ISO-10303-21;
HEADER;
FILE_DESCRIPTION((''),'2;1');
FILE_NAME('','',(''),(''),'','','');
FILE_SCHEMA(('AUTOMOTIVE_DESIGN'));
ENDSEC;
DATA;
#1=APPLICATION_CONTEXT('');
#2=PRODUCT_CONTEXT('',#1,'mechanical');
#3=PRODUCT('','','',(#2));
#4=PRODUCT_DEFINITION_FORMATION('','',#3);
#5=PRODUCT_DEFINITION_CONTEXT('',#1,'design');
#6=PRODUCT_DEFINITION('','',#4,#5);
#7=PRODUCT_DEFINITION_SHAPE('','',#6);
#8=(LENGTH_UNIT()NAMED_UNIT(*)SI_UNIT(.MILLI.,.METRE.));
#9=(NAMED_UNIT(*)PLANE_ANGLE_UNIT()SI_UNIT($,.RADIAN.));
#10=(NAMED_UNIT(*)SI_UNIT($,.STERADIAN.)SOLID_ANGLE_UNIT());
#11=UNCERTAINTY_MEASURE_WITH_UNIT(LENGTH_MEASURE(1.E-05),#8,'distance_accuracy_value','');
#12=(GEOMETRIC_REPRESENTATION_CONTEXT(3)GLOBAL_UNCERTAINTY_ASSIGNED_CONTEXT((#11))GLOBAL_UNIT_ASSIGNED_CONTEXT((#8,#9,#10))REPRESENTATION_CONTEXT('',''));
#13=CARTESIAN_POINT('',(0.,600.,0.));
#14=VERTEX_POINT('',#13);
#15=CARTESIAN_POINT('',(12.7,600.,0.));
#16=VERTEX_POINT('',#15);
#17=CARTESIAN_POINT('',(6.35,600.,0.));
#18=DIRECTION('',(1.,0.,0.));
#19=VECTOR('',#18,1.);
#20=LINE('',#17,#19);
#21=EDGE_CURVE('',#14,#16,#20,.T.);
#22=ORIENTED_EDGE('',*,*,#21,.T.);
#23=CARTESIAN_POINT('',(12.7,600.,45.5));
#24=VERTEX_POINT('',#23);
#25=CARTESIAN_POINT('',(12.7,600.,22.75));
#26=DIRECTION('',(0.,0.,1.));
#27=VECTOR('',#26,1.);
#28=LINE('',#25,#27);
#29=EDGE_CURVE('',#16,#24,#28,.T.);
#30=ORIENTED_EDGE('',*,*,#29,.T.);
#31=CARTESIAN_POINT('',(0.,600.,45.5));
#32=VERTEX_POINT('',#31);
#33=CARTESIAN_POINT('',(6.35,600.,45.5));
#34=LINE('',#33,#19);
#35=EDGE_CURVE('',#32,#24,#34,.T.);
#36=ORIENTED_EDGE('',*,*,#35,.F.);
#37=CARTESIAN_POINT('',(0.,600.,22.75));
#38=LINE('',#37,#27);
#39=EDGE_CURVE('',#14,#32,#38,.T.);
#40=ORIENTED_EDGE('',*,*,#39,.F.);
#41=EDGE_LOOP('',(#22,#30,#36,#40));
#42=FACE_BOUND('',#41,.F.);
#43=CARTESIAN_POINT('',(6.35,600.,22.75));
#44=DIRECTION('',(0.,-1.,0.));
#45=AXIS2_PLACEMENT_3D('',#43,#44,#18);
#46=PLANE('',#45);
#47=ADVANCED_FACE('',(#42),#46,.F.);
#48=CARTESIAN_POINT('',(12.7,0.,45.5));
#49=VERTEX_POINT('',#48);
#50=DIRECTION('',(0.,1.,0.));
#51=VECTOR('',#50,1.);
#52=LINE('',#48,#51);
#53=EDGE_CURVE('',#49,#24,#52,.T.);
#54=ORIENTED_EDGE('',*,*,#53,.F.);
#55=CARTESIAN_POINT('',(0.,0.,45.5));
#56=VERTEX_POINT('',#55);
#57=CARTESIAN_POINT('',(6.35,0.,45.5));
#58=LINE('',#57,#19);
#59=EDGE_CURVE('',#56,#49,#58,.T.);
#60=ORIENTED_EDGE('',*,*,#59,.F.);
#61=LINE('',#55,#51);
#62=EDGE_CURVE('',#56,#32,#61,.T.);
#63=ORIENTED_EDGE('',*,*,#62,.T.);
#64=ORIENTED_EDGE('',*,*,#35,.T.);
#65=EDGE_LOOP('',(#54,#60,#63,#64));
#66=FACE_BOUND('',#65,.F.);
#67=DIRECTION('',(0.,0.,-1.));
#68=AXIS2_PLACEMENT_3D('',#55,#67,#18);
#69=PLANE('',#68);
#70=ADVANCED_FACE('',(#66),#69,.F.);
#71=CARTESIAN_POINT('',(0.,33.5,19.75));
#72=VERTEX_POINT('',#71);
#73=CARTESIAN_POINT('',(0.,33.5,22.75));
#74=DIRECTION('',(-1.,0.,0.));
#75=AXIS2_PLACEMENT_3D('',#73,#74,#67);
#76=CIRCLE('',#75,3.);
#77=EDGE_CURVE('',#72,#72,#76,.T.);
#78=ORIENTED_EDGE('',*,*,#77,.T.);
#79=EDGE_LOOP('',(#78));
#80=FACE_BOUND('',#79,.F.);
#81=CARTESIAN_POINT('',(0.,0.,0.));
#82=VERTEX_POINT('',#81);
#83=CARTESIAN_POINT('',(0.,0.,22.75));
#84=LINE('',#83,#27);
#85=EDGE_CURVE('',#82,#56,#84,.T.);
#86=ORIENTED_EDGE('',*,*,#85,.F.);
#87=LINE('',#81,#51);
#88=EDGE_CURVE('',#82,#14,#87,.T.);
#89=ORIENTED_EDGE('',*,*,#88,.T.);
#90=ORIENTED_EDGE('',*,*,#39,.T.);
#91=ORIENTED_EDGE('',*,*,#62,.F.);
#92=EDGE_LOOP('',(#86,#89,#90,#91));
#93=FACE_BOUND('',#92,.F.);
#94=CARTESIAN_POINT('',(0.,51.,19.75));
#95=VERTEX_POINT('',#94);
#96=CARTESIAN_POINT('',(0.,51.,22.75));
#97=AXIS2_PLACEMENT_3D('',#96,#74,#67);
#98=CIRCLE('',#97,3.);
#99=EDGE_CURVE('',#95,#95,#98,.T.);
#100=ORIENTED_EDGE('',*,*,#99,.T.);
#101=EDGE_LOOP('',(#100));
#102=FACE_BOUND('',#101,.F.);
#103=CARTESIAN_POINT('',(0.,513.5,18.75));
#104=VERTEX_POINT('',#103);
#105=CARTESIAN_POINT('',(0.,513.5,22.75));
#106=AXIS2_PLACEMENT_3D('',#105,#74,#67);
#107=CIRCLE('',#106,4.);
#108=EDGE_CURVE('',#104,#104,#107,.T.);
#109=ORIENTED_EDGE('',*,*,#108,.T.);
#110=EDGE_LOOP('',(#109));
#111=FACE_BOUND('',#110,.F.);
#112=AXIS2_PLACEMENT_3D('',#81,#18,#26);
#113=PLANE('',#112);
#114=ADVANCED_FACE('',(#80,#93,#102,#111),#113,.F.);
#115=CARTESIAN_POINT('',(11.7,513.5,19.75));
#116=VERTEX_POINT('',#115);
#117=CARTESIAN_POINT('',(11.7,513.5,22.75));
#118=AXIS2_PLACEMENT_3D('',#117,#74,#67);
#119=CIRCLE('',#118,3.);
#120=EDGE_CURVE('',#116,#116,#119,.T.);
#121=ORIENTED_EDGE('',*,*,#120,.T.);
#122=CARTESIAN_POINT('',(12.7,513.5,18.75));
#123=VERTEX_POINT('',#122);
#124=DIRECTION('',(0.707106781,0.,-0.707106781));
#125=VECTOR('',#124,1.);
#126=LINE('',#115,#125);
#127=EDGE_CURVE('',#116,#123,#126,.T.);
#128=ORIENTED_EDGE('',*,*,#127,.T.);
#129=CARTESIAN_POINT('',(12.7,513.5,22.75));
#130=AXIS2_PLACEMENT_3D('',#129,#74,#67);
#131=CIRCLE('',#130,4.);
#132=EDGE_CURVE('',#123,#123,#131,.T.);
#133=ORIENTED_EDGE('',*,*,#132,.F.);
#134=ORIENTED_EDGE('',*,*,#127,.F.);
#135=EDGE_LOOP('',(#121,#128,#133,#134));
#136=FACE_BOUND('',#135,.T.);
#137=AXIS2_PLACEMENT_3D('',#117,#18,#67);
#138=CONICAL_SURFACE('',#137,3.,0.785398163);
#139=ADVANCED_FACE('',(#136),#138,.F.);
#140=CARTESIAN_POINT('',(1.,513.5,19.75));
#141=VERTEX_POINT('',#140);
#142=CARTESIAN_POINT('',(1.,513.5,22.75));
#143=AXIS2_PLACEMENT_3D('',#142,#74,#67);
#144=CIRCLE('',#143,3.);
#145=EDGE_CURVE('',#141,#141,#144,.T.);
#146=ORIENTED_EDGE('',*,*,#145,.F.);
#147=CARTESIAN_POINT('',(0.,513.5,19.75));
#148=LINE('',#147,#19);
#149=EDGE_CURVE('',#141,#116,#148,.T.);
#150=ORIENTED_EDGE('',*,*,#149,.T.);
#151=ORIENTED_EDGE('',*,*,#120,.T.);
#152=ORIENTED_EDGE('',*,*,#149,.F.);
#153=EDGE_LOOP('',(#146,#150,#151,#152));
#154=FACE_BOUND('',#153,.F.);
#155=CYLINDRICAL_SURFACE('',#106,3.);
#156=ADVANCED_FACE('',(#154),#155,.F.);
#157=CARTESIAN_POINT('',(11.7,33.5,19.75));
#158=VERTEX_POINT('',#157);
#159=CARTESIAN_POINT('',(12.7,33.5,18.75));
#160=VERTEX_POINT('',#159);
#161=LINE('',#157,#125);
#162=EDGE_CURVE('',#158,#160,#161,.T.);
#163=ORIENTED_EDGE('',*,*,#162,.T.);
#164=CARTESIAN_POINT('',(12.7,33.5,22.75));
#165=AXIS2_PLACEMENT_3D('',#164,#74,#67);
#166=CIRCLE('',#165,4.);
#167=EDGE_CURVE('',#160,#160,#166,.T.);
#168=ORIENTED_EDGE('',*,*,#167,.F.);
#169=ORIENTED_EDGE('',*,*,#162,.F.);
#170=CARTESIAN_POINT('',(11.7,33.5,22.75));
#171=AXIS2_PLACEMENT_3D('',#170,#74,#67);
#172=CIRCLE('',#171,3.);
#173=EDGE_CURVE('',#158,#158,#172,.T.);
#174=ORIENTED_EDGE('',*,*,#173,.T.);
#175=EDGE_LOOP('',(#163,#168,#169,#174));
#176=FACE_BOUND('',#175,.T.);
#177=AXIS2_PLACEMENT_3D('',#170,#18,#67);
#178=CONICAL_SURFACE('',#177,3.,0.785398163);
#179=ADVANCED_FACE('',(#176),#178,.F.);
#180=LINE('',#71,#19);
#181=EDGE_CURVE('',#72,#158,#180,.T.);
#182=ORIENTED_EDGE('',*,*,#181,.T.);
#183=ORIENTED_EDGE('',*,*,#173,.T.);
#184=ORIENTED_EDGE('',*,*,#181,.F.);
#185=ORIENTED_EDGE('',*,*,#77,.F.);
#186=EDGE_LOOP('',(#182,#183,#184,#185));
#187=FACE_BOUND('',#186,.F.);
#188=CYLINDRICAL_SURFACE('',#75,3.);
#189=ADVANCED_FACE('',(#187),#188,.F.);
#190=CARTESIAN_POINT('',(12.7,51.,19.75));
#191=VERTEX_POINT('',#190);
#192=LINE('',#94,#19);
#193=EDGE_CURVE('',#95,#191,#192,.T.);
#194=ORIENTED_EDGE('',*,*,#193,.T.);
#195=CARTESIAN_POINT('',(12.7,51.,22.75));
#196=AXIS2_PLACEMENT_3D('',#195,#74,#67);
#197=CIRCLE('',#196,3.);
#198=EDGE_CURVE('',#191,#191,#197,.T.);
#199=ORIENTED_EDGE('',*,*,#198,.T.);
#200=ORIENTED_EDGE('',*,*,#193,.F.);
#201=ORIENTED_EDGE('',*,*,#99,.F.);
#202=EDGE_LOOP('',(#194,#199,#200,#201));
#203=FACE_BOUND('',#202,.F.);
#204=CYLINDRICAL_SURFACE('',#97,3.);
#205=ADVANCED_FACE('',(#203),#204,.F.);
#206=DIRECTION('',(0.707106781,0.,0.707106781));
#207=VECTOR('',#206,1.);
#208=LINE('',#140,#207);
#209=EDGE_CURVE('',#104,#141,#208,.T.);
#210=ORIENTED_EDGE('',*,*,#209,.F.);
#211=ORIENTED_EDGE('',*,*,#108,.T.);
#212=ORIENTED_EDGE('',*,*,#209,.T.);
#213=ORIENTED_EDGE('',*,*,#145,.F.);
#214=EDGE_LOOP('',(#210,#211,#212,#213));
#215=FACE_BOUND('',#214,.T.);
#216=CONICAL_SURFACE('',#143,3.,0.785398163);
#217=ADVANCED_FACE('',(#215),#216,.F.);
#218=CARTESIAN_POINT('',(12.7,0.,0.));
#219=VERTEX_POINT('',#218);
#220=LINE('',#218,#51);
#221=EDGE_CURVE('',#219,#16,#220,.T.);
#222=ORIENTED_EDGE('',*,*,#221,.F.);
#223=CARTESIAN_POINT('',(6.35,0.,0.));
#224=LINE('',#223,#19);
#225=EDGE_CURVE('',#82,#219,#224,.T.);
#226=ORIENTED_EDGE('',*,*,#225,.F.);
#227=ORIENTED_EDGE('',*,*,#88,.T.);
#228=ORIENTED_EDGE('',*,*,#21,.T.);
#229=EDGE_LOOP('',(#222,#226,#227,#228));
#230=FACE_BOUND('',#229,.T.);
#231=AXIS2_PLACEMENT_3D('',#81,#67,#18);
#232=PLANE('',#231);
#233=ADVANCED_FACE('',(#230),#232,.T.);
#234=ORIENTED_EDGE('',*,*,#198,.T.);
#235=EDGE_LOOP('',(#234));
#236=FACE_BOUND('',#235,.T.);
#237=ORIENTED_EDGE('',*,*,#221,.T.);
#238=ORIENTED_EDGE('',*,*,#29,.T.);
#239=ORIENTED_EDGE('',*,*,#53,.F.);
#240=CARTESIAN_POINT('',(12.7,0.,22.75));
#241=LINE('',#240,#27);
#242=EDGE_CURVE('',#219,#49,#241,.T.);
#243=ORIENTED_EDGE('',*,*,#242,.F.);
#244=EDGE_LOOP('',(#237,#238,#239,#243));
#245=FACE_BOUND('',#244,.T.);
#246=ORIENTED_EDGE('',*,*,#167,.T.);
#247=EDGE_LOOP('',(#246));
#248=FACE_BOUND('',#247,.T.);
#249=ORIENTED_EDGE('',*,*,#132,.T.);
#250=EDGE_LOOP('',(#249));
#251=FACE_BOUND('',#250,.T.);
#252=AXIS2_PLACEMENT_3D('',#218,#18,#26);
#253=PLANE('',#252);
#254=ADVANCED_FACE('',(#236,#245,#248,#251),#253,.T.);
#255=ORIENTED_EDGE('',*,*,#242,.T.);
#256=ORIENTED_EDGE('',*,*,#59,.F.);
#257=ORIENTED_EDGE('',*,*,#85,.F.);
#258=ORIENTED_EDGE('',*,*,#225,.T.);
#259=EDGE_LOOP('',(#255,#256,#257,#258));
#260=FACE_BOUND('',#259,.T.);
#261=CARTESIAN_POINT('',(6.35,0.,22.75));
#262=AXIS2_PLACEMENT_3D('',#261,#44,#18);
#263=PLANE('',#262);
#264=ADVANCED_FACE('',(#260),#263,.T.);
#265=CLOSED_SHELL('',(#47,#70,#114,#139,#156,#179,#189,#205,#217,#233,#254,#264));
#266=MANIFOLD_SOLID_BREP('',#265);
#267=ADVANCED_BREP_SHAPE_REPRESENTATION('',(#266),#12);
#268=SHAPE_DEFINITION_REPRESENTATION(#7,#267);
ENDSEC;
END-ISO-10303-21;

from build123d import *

# Parameters (mm, degrees)
SKETCH_W        = 12.7
SKETCH_H        = 45.5
PAD_DEPTH       = 600
SKETCH001_R     = 3
HOLE_DEPTH      = 25
CHAMFER_SIZE    = 1
CHAMFER001_SIZE = 1


with BuildPart() as part:
    # Sketch → Pad (new body)
    with BuildSketch(Plane.XZ):
        with Locations((6.35, 22.75)):
            Rectangle(SKETCH_W, SKETCH_H)
    extrude(amount=-PAD_DEPTH)

    # Sketch001 (on Face4 of Pad) → Hole (cut)
    with BuildSketch(Plane(origin=(0, 0, 0), x_dir=(0, 0, -1), z_dir=(-1, 0, 0))):
        with Locations((-22.75, -51)):
            Circle(SKETCH001_R)
        with Locations((-22.75, -33.5)):
            Circle(SKETCH001_R)
        with Locations((-22.75, -513.5)):
            Circle(SKETCH001_R)
    extrude(amount=-HOLE_DEPTH, mode=Mode.SUBTRACT)

    # Chamfer
    chamfer_edges = [part.edges().sort_by_distance(p)[0] for p in [
        (0, 516.5, 22.75),
    ]]
    chamfer(chamfer_edges, length=CHAMFER_SIZE)

    # Chamfer001
    chamfer001_edges = [part.edges().sort_by_distance(p)[0] for p in [
        (12.7, 36.5, 22.75),
        (12.7, 516.5, 22.75),
    ]]
    chamfer(chamfer001_edges, length=CHAMFER001_SIZE)


solid = part.part
